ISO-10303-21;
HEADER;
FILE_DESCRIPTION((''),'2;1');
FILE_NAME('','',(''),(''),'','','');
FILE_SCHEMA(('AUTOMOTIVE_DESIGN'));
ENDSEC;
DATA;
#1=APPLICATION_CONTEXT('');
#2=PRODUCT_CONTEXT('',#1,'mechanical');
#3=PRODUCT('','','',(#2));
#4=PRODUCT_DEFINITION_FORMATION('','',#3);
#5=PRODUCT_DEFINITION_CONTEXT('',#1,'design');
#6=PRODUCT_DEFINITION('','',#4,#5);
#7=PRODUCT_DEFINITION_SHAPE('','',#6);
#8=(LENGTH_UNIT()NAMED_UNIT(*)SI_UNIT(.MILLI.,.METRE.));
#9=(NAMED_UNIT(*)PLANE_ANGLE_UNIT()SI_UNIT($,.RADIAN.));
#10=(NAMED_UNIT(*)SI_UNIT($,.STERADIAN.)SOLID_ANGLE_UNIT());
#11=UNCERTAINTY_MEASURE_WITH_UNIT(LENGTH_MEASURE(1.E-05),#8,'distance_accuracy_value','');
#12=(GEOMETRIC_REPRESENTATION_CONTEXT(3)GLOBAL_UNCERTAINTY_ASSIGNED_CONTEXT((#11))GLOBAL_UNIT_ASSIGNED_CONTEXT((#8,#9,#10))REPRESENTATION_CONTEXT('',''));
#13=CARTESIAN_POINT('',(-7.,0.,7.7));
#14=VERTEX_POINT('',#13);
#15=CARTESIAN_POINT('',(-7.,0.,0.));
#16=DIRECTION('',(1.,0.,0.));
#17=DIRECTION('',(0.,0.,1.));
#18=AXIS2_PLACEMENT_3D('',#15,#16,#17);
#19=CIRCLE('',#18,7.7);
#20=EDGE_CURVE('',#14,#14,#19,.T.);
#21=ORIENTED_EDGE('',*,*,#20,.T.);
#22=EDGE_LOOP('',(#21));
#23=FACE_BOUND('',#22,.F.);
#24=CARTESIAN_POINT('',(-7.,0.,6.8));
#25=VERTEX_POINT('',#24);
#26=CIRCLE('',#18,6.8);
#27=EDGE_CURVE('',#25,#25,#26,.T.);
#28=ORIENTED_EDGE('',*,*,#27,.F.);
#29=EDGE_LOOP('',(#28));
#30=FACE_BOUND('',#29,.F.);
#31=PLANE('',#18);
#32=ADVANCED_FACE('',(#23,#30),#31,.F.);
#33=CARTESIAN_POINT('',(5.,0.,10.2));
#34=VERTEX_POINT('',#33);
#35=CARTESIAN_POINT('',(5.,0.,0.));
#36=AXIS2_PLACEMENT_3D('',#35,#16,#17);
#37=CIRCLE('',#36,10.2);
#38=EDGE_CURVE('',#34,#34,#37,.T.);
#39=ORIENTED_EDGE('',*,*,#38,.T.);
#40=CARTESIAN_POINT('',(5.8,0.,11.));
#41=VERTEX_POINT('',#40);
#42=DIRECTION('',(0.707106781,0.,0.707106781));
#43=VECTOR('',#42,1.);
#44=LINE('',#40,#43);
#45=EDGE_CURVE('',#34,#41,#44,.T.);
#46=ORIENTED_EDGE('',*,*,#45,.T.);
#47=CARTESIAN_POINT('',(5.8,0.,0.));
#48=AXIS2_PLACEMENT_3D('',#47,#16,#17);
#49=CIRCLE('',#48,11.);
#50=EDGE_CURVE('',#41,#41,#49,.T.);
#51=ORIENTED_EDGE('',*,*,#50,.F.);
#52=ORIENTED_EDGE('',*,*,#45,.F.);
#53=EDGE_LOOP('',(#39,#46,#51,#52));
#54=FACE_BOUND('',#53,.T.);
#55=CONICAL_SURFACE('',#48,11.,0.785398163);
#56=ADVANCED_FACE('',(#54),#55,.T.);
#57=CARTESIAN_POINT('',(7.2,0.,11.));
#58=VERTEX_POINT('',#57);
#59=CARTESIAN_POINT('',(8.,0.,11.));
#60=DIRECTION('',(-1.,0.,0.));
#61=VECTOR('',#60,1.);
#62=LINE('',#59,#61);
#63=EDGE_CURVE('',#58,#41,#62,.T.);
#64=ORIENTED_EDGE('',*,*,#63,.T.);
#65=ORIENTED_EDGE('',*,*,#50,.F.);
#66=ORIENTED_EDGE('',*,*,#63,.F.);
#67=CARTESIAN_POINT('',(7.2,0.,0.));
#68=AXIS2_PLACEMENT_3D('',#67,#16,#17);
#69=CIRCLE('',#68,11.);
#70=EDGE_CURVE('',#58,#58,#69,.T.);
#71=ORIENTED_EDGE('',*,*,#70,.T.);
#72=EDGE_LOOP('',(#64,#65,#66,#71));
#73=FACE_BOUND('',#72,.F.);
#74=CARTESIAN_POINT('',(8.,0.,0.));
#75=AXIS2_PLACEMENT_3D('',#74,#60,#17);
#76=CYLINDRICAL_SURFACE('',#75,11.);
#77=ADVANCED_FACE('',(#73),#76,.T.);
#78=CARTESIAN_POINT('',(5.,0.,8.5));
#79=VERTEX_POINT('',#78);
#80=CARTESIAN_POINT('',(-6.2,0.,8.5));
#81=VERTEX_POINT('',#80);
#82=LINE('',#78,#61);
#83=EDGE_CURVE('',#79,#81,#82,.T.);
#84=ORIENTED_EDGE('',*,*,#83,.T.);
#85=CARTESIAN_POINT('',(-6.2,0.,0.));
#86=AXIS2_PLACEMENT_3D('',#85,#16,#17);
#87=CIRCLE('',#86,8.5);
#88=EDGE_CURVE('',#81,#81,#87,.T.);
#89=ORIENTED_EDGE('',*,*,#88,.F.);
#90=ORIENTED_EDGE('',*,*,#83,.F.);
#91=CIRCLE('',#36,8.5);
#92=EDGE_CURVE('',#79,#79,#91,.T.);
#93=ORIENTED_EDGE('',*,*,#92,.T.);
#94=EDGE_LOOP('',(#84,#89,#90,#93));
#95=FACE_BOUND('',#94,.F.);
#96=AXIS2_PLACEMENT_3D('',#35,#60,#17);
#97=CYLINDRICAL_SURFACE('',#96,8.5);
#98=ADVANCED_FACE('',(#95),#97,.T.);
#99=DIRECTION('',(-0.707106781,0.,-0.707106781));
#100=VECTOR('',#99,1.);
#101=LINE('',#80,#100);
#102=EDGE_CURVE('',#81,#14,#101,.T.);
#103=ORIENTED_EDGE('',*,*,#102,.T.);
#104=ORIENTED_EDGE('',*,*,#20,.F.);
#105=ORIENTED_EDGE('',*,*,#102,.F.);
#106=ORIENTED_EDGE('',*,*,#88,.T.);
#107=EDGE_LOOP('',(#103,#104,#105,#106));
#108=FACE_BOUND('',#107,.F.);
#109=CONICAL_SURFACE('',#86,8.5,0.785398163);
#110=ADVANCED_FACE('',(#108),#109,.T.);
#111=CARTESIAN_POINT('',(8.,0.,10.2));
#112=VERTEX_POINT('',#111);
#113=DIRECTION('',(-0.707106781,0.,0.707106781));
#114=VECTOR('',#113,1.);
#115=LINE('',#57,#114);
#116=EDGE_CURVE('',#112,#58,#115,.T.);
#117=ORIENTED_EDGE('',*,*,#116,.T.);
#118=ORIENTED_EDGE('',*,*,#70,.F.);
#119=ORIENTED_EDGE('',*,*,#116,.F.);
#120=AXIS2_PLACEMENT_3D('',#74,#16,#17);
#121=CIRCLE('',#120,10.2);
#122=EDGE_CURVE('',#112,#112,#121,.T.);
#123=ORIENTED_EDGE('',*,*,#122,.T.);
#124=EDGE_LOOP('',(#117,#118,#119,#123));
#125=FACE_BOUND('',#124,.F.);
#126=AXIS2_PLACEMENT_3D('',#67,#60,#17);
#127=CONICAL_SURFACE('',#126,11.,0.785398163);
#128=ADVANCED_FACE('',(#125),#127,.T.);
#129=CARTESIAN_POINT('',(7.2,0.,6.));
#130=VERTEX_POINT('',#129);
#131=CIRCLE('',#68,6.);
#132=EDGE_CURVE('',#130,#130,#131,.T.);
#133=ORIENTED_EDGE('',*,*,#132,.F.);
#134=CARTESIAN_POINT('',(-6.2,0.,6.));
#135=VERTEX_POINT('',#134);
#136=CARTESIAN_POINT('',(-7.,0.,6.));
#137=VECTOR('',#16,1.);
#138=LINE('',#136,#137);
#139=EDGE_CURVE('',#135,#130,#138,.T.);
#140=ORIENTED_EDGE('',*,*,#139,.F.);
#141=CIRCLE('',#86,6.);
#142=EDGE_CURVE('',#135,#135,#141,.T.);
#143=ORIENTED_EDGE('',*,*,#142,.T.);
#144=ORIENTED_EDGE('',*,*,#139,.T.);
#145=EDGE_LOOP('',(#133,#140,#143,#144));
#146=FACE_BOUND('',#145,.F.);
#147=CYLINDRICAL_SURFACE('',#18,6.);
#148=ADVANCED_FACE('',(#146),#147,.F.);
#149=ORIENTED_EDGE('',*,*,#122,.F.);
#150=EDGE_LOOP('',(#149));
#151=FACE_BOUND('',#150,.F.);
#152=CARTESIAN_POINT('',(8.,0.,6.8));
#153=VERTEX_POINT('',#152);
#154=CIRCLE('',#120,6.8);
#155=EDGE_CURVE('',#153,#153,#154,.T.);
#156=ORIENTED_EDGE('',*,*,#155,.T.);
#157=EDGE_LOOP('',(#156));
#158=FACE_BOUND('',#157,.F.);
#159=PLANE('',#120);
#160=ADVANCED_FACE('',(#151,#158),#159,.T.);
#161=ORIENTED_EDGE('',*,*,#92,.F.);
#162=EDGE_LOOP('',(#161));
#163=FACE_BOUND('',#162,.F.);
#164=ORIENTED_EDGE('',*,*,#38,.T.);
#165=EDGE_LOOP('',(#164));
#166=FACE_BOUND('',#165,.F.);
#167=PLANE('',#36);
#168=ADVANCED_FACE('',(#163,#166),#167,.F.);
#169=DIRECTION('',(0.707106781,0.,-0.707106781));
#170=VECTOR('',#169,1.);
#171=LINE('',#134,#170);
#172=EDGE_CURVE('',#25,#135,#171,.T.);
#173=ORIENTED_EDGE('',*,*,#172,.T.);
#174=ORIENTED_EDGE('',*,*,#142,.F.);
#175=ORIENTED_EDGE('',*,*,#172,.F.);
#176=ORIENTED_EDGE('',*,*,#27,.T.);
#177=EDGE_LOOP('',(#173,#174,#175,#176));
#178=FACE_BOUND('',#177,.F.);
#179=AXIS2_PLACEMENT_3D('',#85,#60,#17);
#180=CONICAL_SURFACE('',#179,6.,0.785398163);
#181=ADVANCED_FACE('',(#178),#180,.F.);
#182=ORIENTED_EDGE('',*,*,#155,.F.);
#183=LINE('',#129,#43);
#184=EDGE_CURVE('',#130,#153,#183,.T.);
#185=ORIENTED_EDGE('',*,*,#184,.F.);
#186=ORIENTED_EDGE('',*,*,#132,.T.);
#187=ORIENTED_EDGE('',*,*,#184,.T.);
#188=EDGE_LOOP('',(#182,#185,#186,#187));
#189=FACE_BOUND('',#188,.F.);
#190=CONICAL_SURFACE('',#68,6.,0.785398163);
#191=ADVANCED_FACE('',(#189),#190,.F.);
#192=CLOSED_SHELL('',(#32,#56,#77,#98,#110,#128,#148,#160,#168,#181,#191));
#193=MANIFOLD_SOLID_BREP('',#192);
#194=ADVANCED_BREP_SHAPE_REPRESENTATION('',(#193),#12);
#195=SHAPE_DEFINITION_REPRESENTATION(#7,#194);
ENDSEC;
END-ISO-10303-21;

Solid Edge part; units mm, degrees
sketch "Sketch1" plane through (0, 0, 0) normal (0, -1, 0) x (1, 0, 0)
  line L0 (5, 11) -> (5, 8.5)
  line L1 (5, 8.5) -> (-7, 8.5)
  line L2 (-7, 8.5) -> (-7, 6)
  line L3 (-7, 6) -> (8, 6)
  line L4 (8, 6) -> (8, 11)
  line L5 (8, 11) -> (5, 11)
  dimension "D1" = 3
  dimension "D2" = 15
  dimension "D3" = 6
  dimension "D4" = 8.5
  dimension "D5" = 11
revolve "RevolvedProtrusion1" add sketch "Sketch1" angle 360 about axis through (0, 0, 0) along (1, 0, 0)
chamfer "Chamfer1" distance 0.8 angle 45 5 edges at (8, 0, -6) (8, 0, -11) (5, 0, -11) (-7, 0, -8.5) (-7, 0, -6)
properties part number "1976-1300-C05" material "Bronce, 90%"
